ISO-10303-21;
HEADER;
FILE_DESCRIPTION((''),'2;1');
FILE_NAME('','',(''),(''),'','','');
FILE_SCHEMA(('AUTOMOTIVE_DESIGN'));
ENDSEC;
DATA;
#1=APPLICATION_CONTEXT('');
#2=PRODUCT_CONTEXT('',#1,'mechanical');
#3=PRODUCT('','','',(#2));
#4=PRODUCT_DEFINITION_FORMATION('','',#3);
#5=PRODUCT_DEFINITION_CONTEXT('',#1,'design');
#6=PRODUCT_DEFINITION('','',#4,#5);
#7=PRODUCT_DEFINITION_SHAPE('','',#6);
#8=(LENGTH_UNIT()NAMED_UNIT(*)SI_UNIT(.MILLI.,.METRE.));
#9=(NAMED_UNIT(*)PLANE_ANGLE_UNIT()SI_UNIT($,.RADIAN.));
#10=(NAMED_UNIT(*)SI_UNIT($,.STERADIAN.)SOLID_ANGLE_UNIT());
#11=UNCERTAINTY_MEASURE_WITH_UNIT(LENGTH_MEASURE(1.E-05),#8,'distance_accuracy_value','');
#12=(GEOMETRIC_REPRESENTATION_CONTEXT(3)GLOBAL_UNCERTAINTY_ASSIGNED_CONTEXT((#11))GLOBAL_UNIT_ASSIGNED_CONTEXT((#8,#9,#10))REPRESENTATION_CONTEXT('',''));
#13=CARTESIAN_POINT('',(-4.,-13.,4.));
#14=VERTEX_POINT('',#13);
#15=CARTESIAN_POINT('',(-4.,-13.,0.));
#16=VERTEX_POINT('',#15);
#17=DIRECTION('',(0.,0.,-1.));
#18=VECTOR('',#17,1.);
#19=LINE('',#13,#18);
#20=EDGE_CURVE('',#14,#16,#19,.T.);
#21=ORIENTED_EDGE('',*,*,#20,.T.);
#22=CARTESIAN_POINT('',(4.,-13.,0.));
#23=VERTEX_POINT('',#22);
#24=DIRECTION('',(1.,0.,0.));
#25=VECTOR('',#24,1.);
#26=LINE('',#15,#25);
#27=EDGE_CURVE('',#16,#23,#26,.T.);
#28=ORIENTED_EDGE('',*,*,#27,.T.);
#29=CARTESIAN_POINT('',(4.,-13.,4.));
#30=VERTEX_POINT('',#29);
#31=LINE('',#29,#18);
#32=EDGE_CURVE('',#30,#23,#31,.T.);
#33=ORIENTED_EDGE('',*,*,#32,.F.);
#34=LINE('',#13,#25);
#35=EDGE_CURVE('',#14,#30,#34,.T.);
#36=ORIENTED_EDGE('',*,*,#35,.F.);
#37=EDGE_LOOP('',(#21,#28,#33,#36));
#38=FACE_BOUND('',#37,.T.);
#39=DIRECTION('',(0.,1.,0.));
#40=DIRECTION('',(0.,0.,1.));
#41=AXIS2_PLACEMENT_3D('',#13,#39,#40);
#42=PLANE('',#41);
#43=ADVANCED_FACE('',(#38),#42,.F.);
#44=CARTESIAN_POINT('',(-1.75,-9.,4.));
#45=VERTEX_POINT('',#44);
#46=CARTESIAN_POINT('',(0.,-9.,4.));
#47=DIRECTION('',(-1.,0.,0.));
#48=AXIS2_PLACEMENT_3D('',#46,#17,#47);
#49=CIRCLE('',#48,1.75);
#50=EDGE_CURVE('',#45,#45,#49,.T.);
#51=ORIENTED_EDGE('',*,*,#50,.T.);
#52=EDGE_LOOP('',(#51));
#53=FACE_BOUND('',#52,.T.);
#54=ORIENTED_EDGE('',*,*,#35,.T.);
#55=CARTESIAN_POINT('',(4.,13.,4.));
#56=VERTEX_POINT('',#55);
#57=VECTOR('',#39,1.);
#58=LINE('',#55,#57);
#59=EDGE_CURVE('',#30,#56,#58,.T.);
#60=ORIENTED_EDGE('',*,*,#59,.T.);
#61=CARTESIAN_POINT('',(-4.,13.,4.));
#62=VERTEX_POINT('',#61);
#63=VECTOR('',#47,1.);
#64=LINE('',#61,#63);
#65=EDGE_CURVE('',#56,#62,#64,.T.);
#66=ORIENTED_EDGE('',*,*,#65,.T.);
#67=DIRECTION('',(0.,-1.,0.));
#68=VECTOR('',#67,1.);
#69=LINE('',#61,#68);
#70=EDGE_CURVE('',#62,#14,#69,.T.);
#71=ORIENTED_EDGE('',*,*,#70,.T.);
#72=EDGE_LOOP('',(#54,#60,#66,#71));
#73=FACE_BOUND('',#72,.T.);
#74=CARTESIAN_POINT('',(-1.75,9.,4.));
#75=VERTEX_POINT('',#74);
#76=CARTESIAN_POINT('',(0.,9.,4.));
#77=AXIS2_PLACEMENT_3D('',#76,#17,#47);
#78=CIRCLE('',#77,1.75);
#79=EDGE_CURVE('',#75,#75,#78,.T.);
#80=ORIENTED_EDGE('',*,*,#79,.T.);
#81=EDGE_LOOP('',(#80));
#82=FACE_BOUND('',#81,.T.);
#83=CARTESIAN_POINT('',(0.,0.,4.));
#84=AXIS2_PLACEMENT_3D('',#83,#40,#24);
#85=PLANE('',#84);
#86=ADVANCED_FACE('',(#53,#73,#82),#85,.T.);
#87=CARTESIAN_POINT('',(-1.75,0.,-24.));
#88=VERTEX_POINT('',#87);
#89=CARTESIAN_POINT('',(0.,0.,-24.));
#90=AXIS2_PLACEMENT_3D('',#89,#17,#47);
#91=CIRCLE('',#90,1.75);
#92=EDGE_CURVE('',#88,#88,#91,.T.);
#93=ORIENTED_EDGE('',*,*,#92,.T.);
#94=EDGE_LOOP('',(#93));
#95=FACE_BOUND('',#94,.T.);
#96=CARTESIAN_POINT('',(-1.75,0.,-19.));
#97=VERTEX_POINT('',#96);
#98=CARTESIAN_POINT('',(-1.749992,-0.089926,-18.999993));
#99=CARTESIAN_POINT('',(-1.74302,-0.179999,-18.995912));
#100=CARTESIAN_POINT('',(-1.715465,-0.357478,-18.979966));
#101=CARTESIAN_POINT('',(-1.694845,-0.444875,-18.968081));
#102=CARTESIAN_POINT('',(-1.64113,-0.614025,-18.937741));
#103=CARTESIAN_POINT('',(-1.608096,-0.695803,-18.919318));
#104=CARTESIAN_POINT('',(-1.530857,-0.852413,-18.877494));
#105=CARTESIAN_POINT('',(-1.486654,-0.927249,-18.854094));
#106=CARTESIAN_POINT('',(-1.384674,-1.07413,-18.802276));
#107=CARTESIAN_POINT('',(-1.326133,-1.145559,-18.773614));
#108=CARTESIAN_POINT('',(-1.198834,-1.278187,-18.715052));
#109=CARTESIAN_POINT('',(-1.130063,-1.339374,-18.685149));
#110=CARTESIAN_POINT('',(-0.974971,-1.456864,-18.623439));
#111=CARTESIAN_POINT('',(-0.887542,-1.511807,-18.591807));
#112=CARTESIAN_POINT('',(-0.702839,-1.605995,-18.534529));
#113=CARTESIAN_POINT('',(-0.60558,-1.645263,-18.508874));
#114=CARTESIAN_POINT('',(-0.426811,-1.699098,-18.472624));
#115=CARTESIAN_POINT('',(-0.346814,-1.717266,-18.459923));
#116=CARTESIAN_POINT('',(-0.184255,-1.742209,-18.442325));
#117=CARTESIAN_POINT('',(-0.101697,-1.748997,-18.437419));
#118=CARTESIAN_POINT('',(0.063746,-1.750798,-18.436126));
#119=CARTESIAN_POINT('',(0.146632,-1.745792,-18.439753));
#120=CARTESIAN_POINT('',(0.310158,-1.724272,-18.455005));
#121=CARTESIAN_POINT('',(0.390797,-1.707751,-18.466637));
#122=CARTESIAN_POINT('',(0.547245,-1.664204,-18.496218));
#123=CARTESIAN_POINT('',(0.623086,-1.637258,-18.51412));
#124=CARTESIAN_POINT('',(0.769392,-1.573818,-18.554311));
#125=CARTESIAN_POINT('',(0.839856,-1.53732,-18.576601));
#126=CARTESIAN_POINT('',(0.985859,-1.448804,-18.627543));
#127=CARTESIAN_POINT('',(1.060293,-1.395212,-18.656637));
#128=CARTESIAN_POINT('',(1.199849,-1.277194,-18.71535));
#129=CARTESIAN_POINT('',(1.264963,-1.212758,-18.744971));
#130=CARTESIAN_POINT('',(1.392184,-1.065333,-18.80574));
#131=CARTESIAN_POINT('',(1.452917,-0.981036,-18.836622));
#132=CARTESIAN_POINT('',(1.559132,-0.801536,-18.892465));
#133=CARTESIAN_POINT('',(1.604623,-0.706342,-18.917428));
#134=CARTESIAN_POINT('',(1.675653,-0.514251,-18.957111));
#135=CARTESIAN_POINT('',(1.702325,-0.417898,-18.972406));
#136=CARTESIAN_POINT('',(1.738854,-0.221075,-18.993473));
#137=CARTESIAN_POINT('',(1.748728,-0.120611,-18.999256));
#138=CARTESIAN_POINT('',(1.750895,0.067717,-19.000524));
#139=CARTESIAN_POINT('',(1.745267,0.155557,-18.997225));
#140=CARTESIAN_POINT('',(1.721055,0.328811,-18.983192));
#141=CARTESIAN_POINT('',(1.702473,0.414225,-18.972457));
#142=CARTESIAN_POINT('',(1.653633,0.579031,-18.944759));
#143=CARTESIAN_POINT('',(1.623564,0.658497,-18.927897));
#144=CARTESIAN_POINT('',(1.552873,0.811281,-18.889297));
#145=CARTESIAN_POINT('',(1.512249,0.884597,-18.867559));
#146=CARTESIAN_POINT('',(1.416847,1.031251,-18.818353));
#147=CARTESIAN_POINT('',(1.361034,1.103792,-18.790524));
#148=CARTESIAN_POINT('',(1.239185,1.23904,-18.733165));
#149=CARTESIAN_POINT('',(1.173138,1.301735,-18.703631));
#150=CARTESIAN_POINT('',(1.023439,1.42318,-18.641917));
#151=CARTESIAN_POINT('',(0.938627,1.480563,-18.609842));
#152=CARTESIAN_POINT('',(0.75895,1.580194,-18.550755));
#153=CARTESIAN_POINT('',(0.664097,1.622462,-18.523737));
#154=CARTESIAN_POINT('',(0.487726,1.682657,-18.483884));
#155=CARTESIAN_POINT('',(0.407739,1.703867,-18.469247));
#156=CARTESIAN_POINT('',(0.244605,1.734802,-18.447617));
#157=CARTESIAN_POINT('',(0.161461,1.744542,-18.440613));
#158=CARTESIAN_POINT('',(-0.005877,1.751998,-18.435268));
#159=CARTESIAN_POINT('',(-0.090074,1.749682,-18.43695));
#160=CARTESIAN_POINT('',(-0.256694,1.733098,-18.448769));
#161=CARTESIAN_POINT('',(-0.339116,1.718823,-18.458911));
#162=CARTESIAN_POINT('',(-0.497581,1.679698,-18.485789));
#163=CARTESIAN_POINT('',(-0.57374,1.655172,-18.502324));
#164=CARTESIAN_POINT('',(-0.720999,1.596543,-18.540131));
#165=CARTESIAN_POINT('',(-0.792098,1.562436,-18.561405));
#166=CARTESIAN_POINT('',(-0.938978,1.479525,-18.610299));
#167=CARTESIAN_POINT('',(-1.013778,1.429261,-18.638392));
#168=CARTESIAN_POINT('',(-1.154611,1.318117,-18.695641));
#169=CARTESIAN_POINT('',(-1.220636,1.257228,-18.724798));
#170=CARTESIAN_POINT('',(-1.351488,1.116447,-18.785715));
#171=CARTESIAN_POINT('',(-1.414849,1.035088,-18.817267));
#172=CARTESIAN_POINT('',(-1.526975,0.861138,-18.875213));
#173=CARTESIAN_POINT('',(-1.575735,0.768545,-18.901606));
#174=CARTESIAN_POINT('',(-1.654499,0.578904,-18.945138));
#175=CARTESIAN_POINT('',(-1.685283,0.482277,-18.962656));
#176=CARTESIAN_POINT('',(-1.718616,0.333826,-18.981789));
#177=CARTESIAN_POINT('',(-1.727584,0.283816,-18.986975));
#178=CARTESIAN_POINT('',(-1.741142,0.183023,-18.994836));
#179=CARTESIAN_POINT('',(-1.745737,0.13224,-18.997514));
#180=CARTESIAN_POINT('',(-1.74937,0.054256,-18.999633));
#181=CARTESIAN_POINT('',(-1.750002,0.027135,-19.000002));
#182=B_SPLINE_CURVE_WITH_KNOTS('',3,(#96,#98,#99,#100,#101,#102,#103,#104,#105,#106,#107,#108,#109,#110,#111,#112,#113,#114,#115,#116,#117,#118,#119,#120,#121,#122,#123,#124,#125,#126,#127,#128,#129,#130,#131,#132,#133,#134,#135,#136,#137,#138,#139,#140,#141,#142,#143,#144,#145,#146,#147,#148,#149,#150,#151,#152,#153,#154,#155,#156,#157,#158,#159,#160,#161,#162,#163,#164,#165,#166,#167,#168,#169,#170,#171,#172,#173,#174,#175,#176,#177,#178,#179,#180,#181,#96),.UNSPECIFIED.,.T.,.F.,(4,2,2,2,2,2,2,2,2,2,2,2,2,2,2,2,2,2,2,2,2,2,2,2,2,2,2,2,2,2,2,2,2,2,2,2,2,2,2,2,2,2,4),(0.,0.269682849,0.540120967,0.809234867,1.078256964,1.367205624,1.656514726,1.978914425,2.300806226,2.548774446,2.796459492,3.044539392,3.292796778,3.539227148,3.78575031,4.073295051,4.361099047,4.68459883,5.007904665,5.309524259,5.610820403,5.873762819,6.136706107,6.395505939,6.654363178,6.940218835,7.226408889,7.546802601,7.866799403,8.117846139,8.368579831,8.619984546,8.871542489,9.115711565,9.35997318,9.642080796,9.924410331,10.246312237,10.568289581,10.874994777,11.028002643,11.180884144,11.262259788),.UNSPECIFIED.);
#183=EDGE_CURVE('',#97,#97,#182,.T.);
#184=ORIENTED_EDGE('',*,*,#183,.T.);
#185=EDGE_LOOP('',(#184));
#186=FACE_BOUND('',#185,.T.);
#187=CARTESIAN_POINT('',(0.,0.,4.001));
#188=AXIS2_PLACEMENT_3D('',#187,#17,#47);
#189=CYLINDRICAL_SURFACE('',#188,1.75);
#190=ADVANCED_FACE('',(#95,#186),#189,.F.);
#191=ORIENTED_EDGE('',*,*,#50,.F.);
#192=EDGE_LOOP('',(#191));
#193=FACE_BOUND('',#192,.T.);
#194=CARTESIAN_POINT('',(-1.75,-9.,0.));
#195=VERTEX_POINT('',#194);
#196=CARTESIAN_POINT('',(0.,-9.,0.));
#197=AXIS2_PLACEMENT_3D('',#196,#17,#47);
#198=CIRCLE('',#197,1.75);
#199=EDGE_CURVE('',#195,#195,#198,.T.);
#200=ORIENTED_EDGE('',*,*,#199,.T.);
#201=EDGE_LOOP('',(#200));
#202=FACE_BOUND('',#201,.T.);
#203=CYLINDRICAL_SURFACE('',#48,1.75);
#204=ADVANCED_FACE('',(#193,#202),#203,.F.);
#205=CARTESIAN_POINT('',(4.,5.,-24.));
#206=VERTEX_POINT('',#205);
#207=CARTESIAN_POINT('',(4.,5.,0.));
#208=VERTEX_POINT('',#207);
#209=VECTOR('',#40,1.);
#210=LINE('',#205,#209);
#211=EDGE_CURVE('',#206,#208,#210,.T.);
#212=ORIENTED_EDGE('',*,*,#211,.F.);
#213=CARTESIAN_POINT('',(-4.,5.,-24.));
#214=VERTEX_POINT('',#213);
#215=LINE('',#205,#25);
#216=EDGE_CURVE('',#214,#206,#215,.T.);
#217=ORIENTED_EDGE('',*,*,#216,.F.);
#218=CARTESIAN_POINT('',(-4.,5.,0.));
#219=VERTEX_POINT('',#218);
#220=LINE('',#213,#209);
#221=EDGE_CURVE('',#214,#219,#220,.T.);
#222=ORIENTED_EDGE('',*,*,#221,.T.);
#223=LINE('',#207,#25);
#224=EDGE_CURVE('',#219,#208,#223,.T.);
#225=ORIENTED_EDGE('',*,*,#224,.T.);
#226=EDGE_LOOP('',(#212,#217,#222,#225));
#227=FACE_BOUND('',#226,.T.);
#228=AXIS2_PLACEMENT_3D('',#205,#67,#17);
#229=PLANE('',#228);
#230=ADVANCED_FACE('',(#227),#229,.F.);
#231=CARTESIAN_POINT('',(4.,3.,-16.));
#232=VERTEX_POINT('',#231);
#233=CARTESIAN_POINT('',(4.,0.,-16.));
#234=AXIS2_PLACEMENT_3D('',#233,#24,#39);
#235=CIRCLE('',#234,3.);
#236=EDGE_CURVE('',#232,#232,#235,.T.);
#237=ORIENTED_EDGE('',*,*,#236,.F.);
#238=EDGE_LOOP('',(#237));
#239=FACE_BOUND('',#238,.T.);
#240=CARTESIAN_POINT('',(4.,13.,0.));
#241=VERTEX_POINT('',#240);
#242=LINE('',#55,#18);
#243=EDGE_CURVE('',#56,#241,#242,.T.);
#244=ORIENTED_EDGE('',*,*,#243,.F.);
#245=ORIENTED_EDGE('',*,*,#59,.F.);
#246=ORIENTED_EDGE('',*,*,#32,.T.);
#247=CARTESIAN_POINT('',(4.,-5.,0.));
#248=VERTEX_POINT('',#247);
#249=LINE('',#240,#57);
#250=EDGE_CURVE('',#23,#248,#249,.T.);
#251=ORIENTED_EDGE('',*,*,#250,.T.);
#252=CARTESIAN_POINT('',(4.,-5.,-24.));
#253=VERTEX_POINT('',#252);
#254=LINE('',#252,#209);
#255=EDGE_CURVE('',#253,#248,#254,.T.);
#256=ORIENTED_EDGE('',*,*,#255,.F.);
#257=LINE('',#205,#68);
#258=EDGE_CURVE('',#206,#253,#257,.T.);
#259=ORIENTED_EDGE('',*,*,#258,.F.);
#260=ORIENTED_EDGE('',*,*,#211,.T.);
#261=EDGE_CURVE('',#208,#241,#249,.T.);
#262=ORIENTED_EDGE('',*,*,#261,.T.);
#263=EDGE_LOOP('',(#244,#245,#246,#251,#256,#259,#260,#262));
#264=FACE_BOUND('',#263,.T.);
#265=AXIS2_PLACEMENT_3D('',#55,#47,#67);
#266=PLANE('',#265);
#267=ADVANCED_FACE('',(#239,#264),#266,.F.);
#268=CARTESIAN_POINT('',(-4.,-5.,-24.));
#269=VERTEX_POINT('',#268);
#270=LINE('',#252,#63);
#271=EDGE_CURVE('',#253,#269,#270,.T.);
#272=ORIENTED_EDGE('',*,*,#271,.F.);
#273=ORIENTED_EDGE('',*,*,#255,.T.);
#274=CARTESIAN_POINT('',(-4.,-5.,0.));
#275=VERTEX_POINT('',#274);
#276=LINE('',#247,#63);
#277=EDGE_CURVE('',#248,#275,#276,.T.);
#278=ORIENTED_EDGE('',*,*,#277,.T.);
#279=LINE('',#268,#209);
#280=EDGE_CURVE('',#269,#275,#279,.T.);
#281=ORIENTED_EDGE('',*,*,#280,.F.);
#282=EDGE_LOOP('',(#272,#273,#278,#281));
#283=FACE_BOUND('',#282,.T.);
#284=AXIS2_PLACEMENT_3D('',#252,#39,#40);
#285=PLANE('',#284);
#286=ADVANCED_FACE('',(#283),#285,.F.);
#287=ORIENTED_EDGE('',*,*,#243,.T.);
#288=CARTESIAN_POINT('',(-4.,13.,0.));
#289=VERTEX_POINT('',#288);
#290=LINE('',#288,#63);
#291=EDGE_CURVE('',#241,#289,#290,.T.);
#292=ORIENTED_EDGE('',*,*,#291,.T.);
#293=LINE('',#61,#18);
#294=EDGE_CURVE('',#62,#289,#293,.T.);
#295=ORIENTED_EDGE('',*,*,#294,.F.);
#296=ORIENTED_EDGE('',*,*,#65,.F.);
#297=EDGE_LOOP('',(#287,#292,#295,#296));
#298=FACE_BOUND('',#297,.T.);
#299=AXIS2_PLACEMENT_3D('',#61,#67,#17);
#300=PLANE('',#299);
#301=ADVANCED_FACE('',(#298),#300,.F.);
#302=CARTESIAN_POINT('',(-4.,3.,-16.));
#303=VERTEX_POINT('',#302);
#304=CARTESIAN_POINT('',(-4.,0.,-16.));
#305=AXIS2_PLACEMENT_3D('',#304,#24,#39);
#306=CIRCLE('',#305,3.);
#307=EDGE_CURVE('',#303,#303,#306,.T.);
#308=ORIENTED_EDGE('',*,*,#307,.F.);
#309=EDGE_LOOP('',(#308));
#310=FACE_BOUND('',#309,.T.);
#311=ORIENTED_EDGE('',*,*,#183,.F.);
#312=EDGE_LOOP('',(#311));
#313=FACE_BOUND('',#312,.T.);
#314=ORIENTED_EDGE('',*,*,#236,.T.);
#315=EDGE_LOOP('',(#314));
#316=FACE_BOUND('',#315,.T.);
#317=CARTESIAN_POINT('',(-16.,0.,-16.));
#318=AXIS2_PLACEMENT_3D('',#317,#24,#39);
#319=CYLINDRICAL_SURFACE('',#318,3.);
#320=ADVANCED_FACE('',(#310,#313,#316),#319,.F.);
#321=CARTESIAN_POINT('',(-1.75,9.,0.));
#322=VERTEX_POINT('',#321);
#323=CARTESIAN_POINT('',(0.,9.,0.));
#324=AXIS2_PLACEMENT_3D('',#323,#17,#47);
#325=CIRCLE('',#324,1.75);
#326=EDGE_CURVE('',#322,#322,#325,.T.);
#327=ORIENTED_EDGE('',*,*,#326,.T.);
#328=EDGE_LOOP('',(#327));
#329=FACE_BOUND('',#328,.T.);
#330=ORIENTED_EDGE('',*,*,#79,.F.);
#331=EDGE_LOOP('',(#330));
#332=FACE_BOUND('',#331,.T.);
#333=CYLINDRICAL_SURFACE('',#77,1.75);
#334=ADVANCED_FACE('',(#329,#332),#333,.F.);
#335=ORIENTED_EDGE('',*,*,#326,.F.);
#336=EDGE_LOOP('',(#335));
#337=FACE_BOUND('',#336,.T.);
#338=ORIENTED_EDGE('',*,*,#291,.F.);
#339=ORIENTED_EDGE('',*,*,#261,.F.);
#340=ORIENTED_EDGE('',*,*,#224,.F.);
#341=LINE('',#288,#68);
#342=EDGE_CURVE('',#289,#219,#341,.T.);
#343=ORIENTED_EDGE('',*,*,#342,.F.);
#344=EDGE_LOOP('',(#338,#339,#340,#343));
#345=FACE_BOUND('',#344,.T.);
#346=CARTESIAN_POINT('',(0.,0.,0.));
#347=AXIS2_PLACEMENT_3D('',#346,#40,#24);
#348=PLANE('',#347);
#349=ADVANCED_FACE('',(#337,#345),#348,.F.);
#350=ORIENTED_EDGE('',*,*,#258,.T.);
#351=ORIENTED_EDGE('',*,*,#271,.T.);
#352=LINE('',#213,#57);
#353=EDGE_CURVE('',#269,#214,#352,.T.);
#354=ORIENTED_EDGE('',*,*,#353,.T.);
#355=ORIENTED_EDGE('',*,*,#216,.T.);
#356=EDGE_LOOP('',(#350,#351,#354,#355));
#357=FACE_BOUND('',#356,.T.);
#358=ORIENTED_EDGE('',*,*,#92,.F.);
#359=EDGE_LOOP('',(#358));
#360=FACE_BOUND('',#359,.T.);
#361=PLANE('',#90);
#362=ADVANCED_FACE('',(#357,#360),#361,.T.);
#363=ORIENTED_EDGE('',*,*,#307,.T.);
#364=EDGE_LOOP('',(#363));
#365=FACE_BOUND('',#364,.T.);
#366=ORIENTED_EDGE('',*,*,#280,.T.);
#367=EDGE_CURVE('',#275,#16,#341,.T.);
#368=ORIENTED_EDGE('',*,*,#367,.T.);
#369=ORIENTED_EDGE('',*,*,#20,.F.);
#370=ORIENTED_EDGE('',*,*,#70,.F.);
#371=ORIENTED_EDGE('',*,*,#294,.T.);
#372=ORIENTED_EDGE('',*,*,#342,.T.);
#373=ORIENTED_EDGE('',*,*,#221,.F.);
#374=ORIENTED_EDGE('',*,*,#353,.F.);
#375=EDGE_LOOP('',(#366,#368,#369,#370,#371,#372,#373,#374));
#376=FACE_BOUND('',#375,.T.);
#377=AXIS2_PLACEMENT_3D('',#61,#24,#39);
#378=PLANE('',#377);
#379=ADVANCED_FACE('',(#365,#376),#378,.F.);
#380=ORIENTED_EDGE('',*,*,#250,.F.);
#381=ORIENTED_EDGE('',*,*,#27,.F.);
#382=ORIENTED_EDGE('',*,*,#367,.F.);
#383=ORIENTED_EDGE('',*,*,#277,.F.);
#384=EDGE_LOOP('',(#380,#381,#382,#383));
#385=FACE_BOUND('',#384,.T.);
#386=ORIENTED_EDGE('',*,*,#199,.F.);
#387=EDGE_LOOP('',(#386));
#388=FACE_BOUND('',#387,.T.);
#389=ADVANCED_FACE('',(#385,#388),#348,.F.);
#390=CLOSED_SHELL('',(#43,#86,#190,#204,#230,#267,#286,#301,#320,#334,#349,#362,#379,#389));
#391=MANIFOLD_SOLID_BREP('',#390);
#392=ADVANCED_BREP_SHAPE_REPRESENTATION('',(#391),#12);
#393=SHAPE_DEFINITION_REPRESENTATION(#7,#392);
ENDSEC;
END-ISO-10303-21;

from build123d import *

# Parameters (mm, degrees)
SKETCH1_W               = 8
SKETCH1_H               = 26
BOSS_EXTRUDE1_DEPTH     = 4
SKETCH2_R               = 1.75
CUT_EXTRUDE1_DEPTH      = 4
SKETCH3_W               = 8
SKETCH3_H               = 10
BOSS_EXTRUDE2_DEPTH     = 24
SKETCH4_R               = 3
CUT_EXTRUDE2_DEPTH      = 20
CUT_EXTRUDE3_REACH      = 33.129
CUT_EXTRUDE3_END_RADIUS = 3
SKETCH5_R               = 1.75


with BuildPart() as part:
    # Sketch1 → Boss-Extrude1 (new body)
    with BuildSketch(Plane.XY):
        Rectangle(SKETCH1_W, SKETCH1_H)
    extrude(amount=BOSS_EXTRUDE1_DEPTH)

    # Sketch2 → Cut-Extrude1 (cut)
    with BuildSketch(Plane(origin=(0, 0, 0), x_dir=(-1, 0, 0), z_dir=(0, 0, -1))):
        with Locations((0, 9)):
            Circle(SKETCH2_R)
        with Locations((0, -9)):
            Circle(SKETCH2_R)
    extrude(amount=-CUT_EXTRUDE1_DEPTH, mode=Mode.SUBTRACT)

    # Sketch3 → Boss-Extrude2 (add)
    with BuildSketch(Plane(origin=(0, 0, 0), x_dir=(-1, 0, 0), z_dir=(0, 0, -1))):
        Rectangle(SKETCH3_W, SKETCH3_H)
    extrude(amount=BOSS_EXTRUDE2_DEPTH)

    # Sketch4 → Cut-Extrude2 (cut)
    with BuildSketch(Plane(origin=(4, 0, 0), x_dir=(0, 0, -1), z_dir=(1, 0, 0))):
        with Locations(Location((16, 0, 0), (0, 0, 90))):
            Circle(SKETCH4_R)
    extrude(amount=-CUT_EXTRUDE2_DEPTH, mode=Mode.SUBTRACT)

    # Cut-Extrude3: up to this cylinder (the profile starts outside it)
    cut_extrude3_end = Plane(origin=(0, 0, -16), z_dir=(1, 0, 0)) * Cylinder(CUT_EXTRUDE3_END_RADIUS, 73.258, mode=Mode.PRIVATE)
    # Sketch5 → Cut-Extrude3 (cut, up to the surface)
    with BuildSketch(Plane(origin=(0, 0, -24), x_dir=(-1, 0, 0), z_dir=(0, 0, -1)), mode=Mode.PRIVATE) as cut_extrude3_sk1:
        Circle(SKETCH5_R)
    cut_extrude3_tool1 = extrude(cut_extrude3_sk1.sketch, amount=-CUT_EXTRUDE3_REACH, mode=Mode.PRIVATE) - cut_extrude3_end
    add(cut_extrude3_tool1.solids().sort_by_distance((0, 0, -24))[0], mode=Mode.SUBTRACT)


solid = part.part
